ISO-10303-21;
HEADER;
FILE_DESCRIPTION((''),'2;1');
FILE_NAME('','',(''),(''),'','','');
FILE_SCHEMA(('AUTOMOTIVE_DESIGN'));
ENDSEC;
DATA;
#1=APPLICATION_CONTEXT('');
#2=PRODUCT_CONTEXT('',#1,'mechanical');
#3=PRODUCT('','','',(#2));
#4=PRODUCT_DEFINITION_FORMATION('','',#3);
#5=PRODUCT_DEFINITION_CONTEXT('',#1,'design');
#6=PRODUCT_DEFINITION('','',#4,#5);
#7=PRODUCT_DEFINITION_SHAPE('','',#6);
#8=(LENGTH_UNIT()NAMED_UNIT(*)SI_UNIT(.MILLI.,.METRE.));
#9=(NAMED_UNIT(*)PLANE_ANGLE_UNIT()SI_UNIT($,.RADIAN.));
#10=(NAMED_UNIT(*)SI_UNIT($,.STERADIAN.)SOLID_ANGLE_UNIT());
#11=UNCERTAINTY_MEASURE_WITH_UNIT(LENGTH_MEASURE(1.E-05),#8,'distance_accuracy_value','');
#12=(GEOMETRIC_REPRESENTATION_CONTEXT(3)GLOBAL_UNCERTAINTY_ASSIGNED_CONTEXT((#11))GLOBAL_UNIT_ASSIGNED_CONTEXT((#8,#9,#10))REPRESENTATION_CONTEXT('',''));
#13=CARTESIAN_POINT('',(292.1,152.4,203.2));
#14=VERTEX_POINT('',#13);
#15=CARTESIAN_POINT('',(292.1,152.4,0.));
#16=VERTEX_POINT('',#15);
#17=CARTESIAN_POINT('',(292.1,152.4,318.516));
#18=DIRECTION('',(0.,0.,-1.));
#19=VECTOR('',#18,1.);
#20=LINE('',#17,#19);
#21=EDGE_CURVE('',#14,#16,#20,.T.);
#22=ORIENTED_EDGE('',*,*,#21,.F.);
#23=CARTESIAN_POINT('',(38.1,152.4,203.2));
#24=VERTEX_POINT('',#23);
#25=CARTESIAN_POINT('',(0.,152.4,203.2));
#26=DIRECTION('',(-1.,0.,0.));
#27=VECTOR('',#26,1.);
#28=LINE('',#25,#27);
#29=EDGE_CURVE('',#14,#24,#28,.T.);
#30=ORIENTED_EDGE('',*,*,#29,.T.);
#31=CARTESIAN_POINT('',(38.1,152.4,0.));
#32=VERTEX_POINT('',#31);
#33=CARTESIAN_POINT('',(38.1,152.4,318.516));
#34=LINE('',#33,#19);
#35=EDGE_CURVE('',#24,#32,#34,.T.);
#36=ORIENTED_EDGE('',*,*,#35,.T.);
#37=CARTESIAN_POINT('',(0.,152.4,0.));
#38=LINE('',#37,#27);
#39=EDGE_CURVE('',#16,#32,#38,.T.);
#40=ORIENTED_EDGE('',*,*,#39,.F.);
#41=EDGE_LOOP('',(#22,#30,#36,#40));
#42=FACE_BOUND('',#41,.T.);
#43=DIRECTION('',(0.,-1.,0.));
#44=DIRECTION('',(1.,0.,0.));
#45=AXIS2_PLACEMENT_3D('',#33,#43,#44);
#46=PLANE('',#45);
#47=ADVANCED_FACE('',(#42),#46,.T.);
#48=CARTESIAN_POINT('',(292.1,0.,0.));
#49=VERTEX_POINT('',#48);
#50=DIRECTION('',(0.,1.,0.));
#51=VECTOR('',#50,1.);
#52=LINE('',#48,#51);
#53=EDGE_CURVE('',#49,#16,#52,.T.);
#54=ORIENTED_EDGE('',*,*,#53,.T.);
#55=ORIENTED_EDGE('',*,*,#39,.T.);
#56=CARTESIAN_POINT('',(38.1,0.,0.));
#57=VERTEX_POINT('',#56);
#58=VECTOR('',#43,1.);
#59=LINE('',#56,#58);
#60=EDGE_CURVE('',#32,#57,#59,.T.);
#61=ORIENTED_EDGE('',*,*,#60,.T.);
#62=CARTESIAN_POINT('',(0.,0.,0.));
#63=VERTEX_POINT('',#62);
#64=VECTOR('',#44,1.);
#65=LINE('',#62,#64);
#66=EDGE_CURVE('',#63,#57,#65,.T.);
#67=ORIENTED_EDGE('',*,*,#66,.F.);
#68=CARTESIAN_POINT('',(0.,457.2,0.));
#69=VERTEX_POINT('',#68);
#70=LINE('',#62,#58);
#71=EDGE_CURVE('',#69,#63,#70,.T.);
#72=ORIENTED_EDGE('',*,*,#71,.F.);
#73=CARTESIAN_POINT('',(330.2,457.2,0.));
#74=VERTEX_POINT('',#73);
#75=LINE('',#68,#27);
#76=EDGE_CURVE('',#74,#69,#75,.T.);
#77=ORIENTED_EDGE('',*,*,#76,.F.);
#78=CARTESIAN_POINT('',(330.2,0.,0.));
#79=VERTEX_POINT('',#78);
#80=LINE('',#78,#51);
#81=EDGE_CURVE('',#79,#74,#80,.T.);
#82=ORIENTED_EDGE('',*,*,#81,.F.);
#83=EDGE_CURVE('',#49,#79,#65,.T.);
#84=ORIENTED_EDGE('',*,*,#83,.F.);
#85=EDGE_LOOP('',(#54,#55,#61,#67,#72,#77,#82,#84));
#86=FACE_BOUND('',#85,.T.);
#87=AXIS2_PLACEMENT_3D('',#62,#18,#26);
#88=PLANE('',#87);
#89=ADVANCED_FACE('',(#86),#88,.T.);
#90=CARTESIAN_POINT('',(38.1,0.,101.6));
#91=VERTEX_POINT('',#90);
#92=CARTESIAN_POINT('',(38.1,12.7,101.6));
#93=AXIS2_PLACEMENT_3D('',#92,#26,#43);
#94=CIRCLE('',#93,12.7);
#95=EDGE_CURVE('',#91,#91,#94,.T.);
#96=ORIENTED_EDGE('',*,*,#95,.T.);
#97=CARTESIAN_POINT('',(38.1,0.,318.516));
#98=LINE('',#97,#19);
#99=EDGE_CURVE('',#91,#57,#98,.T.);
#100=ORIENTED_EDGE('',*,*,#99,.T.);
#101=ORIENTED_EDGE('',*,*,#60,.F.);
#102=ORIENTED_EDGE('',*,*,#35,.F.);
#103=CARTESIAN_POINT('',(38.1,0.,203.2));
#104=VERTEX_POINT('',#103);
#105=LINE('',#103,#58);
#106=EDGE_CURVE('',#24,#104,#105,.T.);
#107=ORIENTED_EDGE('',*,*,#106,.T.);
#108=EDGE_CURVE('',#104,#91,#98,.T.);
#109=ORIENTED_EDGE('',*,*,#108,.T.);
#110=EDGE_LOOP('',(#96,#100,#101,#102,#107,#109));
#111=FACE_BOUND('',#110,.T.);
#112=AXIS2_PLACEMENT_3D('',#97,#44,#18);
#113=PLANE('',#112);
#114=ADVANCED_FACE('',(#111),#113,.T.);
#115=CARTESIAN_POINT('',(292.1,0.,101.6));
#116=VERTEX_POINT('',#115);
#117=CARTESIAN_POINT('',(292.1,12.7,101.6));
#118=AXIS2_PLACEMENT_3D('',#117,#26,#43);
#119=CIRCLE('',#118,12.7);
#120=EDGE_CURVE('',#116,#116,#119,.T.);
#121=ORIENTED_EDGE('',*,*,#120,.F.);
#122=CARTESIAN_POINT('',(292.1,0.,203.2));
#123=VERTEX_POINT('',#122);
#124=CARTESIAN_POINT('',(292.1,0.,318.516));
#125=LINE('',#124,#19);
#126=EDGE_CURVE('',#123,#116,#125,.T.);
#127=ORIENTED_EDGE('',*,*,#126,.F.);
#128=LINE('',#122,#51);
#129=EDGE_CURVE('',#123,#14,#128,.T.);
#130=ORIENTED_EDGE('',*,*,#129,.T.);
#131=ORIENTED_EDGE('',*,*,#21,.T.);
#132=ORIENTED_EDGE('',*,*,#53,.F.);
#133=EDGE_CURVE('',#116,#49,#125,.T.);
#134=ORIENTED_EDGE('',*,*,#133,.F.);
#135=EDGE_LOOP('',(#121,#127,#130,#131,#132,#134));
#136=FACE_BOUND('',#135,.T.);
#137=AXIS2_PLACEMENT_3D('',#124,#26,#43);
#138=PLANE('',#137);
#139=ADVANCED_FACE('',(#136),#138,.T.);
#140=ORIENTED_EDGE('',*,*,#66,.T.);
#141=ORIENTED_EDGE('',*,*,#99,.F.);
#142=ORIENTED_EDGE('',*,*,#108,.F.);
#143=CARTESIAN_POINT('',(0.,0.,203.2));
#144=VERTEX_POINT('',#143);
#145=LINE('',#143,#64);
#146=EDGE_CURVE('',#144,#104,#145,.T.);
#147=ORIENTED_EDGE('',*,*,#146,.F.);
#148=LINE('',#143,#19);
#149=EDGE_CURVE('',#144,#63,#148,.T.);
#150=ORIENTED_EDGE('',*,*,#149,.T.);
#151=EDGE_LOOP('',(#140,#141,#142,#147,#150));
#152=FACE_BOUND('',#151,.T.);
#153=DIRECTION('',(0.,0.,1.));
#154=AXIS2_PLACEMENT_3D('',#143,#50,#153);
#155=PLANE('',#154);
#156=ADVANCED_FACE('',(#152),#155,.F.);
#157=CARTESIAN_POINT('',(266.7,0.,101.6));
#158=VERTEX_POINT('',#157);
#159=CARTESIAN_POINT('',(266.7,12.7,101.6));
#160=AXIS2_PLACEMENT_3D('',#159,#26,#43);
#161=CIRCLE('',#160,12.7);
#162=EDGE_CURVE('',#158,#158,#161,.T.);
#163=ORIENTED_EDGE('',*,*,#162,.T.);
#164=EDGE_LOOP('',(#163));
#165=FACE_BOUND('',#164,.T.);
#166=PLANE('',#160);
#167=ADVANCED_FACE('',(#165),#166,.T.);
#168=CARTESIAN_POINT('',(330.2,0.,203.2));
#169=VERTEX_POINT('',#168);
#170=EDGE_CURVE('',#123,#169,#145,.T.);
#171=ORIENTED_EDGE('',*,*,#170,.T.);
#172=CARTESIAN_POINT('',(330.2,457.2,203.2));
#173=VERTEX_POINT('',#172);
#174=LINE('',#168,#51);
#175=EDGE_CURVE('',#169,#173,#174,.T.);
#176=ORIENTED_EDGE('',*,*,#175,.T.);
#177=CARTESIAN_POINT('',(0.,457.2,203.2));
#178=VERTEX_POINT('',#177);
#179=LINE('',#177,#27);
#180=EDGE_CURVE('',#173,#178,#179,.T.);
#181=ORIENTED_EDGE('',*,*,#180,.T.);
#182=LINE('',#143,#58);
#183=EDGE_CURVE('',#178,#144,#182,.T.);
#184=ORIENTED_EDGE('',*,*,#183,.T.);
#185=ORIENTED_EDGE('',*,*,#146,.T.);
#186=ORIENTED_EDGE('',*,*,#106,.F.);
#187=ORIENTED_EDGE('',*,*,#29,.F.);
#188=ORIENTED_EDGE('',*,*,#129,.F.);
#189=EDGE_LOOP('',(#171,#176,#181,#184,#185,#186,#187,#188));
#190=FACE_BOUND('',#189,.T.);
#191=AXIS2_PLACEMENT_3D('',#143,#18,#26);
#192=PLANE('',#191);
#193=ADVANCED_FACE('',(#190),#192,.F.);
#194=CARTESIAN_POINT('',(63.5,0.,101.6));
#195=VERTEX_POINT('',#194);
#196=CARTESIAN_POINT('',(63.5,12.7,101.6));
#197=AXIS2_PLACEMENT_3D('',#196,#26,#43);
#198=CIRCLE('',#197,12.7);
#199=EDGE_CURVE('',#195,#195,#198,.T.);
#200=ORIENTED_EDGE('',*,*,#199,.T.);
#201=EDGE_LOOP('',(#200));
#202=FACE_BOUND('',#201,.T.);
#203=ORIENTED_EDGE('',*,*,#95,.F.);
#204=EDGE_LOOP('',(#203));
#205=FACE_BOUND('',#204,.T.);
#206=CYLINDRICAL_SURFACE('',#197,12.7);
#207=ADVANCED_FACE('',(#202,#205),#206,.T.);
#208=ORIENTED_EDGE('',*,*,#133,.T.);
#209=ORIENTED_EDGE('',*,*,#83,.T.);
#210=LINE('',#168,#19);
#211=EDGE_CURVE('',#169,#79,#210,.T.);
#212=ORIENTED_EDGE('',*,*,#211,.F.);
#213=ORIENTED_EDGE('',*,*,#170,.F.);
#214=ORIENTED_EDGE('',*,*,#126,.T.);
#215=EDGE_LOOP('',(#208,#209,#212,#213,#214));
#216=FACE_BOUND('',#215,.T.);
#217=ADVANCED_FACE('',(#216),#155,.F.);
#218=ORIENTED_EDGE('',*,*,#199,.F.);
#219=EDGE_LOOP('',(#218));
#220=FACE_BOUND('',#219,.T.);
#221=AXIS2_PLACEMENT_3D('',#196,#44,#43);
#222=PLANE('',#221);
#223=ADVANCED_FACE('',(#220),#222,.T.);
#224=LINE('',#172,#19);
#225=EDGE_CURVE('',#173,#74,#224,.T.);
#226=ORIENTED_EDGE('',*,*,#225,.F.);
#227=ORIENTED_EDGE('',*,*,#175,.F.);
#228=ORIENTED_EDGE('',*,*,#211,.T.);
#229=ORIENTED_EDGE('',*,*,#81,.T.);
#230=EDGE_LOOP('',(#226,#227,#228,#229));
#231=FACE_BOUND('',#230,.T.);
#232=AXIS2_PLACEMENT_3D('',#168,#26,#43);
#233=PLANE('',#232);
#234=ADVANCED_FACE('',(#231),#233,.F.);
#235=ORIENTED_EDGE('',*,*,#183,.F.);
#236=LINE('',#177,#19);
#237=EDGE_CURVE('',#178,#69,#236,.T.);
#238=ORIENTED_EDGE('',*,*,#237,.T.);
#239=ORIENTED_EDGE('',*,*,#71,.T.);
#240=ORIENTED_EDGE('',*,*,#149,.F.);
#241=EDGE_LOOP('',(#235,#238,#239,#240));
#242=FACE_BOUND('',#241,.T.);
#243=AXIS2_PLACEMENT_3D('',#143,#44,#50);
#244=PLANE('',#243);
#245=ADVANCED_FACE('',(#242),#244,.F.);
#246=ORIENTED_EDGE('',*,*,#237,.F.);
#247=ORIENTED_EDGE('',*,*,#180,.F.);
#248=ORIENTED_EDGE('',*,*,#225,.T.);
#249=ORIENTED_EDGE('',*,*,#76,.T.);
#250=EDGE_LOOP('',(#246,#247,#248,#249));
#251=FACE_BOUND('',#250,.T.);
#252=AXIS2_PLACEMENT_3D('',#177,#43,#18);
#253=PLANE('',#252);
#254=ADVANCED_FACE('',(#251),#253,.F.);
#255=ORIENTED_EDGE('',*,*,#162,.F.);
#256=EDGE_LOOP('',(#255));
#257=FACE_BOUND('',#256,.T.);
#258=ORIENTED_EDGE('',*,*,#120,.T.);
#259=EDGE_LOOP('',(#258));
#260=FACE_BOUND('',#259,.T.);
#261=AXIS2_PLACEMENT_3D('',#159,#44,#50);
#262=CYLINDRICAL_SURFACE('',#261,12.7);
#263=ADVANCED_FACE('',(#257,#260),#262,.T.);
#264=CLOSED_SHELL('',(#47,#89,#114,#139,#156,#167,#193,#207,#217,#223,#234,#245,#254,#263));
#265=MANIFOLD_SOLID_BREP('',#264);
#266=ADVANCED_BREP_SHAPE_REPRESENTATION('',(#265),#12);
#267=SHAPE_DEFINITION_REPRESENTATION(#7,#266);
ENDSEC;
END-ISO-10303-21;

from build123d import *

# Parameters (mm, degrees)
SKETCH1_W               = 330.2
SKETCH1_H               = 457.2
BOSS_EXTRUDE1_DEPTH     = 203.2
CUT_EXTRUDE1_DEPTH      = 115.316
CUT_EXTRUDE1_DEPTH_BACK = 294.386
SKETCH2_W               = 254
SKETCH2_H               = 152.4
SKETCH3_R               = 12.7
BOSS_EXTRUDE2_DEPTH     = 25.4


with BuildPart() as part:
    # Sketch1 → Boss-Extrude1 (new body)
    with BuildSketch(Plane.XY):
        with Locations((165.1, 228.6)):
            Rectangle(SKETCH1_W, SKETCH1_H)
    extrude(amount=BOSS_EXTRUDE1_DEPTH)

    # Sketch2 → Cut-Extrude1 (cut, two sides: drawn at the far end of the back side and taken through both)
    with BuildSketch(Plane.XY.offset(203.2).offset(-CUT_EXTRUDE1_DEPTH_BACK)):
        with Locations((165.1, 76.2)):
            Rectangle(SKETCH2_W, SKETCH2_H)
    extrude(amount=CUT_EXTRUDE1_DEPTH + CUT_EXTRUDE1_DEPTH_BACK, mode=Mode.SUBTRACT)

    # Sketch3 → Boss-Extrude2 (add)
    with BuildSketch(Plane.ZY.offset(-292.1)):
        with Locations(Location((101.6, 12.7, 0), (0, 0, 270))):
            Circle(SKETCH3_R)
    boss_extrude2 = extrude(amount=BOSS_EXTRUDE2_DEPTH)

    # Mirror1: Boss-Extrude2 across plane
    add(boss_extrude2.mirror(Plane.ZY.offset(-165.1)))


solid = part.part
